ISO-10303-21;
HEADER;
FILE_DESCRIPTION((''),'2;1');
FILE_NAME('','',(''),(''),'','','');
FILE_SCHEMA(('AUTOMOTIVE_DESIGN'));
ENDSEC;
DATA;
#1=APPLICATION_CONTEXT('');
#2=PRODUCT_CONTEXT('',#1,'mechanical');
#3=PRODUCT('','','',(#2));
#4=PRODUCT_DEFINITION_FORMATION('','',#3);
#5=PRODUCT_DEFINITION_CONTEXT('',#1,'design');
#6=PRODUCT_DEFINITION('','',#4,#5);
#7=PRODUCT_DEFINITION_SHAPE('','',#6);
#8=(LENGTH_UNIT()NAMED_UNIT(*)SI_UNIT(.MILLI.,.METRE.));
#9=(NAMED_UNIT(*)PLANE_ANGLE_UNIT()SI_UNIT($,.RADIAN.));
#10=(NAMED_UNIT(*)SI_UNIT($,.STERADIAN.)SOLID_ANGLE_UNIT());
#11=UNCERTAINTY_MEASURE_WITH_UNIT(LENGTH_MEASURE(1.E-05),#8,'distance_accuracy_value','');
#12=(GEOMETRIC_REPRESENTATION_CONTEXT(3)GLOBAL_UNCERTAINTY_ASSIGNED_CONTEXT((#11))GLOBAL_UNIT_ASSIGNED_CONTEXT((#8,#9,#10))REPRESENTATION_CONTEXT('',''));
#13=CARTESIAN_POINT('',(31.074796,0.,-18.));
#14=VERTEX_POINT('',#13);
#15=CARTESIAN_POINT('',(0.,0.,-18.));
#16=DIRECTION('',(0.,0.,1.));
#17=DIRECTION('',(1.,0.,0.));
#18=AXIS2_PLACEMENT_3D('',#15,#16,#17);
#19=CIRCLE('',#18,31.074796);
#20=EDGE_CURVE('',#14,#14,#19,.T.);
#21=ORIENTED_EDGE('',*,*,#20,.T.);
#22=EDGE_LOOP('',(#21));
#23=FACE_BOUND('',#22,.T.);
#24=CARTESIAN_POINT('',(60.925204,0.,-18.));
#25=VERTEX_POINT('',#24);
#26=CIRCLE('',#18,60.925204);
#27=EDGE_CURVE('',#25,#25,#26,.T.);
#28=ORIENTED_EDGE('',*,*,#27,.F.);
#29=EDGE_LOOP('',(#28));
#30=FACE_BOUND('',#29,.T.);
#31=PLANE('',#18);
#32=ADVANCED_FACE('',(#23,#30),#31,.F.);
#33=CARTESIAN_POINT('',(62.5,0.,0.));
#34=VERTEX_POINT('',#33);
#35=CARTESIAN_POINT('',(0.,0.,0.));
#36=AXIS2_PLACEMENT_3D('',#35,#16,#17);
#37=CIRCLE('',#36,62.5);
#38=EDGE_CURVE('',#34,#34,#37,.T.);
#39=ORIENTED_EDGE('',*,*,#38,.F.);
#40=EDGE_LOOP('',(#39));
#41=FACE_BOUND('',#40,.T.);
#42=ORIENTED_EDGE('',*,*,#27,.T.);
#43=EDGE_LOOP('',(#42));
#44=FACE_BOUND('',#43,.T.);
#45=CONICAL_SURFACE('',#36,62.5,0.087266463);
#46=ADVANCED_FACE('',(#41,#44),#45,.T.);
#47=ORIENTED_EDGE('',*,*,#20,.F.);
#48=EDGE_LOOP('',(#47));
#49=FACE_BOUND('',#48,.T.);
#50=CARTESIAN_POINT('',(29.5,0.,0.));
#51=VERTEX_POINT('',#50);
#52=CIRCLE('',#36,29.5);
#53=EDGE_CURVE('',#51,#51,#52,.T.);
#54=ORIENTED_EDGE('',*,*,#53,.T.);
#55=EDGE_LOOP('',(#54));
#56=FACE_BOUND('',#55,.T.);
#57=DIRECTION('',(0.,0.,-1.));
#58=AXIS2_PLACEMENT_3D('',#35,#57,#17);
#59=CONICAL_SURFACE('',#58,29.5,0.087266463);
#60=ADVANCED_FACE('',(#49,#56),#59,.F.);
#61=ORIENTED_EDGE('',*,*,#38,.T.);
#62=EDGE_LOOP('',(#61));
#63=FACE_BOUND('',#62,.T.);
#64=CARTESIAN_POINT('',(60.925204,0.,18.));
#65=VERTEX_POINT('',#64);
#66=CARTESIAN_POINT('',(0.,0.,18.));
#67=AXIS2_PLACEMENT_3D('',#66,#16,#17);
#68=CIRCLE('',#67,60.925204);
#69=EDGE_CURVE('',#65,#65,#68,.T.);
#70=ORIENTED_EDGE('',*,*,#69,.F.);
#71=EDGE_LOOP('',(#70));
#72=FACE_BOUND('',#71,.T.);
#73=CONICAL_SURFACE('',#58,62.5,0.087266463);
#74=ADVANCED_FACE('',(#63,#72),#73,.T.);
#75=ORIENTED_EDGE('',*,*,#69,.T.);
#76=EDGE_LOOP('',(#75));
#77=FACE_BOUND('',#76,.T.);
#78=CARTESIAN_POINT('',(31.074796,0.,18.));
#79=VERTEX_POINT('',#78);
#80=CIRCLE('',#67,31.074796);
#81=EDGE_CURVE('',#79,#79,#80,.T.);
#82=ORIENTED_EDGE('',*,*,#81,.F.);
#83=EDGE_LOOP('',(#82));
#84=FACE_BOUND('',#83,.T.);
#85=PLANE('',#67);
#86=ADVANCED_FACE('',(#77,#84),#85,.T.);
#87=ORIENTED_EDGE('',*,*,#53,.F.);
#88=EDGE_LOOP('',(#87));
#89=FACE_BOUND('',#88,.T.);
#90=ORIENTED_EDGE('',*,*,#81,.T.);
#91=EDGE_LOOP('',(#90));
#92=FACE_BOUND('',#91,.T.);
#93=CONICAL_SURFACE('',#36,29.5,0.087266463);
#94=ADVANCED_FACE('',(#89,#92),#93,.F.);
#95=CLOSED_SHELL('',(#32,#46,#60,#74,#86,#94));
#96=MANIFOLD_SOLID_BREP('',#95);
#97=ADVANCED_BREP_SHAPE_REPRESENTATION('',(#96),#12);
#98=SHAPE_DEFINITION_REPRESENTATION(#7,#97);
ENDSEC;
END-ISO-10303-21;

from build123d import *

# Parameters (mm, degrees)
SKETCH1_R                     = 62.5
SKETCH1_R_2                   = 29.5
BOSS_EXTRUDE1_DEPTH           = 18
BOSS_EXTRUDE1_TAPER           = 5
BOSS_EXTRUDE1_OTHER_WAY_DEPTH = 18
BOSS_EXTRUDE1_OTHER_WAY_TAPER = 5


with BuildPart() as part:
    # Sketch1 → Boss-Extrude1 (new body)
    with BuildSketch(Plane.XY):
        Circle(SKETCH1_R)
        Circle(SKETCH1_R_2, mode=Mode.SUBTRACT)
    extrude(amount=BOSS_EXTRUDE1_DEPTH, taper=BOSS_EXTRUDE1_TAPER)

    # Sketch1 → Boss-Extrude1 other way (add)
    with BuildSketch(Plane.XY):
        Circle(SKETCH1_R)
        Circle(SKETCH1_R_2, mode=Mode.SUBTRACT)
    extrude(amount=-BOSS_EXTRUDE1_OTHER_WAY_DEPTH, taper=BOSS_EXTRUDE1_OTHER_WAY_TAPER)


solid = part.part
